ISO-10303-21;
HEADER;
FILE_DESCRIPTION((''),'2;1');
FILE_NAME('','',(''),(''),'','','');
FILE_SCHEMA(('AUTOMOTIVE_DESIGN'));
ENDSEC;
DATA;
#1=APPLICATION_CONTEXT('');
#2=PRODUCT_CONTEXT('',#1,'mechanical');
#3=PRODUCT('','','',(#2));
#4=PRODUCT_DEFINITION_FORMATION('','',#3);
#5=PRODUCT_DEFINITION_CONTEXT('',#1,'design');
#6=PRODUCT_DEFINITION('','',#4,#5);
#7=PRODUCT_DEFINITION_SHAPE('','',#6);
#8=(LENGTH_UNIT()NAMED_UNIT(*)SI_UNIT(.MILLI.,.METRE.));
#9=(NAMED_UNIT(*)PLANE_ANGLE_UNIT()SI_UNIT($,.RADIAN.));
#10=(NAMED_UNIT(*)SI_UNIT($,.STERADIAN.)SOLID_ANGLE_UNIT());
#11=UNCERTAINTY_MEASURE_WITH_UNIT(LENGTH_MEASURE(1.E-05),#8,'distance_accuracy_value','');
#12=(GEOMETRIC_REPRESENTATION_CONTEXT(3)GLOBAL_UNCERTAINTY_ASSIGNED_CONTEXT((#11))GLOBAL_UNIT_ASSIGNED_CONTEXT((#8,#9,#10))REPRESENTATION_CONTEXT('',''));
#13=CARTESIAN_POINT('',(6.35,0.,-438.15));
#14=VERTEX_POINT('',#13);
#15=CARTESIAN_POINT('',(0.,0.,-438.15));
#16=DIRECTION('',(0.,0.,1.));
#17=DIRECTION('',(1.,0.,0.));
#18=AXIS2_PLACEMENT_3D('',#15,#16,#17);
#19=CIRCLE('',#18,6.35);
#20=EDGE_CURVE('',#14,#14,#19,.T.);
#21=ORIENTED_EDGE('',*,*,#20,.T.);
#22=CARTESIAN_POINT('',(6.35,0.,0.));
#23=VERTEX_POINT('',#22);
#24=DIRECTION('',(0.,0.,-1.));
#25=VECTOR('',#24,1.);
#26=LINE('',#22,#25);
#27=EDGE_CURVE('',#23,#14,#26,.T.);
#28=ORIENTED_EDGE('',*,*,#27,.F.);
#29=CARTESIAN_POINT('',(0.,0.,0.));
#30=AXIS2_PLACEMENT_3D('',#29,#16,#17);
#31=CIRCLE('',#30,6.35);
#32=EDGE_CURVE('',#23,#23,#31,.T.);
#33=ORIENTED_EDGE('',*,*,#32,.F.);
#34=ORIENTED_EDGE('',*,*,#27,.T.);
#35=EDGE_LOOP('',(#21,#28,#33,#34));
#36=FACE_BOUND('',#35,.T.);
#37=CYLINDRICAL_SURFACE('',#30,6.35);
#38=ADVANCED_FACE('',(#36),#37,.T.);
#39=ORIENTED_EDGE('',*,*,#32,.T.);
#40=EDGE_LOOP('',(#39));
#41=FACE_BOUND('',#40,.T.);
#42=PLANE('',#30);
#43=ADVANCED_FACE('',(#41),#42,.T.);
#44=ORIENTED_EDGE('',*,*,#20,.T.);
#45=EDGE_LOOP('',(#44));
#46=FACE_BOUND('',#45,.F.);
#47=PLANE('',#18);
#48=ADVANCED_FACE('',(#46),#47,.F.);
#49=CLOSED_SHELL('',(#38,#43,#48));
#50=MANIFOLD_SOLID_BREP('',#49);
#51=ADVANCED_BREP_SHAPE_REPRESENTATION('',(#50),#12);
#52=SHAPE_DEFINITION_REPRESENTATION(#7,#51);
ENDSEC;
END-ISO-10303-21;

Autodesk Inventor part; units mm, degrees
ref_plane "YZ Plane" through (0, 0, 0) normal (1, 0, 0) x (0, 1, 0)
ref_plane "XZ Plane" through (0, 0, 0) normal (0, 1, 0) x (-1, 0, 0)
ref_plane "XY Plane" through (0, 0, 0) normal (0, 0, 1) x (1, 0, 0)
sketch "Sketch1" plane through (0, 0, 0) normal (0, 0, 1) x (1, 0, 0)
  circle A0 centre (0, 0) radius 6.35
  dimension "d0" = 12.7
  dimension "d0" = 12.7
extrude "Extrusion1" add sketch "Sketch1" against normal blind 438.15
properties part number "longeraxle"
